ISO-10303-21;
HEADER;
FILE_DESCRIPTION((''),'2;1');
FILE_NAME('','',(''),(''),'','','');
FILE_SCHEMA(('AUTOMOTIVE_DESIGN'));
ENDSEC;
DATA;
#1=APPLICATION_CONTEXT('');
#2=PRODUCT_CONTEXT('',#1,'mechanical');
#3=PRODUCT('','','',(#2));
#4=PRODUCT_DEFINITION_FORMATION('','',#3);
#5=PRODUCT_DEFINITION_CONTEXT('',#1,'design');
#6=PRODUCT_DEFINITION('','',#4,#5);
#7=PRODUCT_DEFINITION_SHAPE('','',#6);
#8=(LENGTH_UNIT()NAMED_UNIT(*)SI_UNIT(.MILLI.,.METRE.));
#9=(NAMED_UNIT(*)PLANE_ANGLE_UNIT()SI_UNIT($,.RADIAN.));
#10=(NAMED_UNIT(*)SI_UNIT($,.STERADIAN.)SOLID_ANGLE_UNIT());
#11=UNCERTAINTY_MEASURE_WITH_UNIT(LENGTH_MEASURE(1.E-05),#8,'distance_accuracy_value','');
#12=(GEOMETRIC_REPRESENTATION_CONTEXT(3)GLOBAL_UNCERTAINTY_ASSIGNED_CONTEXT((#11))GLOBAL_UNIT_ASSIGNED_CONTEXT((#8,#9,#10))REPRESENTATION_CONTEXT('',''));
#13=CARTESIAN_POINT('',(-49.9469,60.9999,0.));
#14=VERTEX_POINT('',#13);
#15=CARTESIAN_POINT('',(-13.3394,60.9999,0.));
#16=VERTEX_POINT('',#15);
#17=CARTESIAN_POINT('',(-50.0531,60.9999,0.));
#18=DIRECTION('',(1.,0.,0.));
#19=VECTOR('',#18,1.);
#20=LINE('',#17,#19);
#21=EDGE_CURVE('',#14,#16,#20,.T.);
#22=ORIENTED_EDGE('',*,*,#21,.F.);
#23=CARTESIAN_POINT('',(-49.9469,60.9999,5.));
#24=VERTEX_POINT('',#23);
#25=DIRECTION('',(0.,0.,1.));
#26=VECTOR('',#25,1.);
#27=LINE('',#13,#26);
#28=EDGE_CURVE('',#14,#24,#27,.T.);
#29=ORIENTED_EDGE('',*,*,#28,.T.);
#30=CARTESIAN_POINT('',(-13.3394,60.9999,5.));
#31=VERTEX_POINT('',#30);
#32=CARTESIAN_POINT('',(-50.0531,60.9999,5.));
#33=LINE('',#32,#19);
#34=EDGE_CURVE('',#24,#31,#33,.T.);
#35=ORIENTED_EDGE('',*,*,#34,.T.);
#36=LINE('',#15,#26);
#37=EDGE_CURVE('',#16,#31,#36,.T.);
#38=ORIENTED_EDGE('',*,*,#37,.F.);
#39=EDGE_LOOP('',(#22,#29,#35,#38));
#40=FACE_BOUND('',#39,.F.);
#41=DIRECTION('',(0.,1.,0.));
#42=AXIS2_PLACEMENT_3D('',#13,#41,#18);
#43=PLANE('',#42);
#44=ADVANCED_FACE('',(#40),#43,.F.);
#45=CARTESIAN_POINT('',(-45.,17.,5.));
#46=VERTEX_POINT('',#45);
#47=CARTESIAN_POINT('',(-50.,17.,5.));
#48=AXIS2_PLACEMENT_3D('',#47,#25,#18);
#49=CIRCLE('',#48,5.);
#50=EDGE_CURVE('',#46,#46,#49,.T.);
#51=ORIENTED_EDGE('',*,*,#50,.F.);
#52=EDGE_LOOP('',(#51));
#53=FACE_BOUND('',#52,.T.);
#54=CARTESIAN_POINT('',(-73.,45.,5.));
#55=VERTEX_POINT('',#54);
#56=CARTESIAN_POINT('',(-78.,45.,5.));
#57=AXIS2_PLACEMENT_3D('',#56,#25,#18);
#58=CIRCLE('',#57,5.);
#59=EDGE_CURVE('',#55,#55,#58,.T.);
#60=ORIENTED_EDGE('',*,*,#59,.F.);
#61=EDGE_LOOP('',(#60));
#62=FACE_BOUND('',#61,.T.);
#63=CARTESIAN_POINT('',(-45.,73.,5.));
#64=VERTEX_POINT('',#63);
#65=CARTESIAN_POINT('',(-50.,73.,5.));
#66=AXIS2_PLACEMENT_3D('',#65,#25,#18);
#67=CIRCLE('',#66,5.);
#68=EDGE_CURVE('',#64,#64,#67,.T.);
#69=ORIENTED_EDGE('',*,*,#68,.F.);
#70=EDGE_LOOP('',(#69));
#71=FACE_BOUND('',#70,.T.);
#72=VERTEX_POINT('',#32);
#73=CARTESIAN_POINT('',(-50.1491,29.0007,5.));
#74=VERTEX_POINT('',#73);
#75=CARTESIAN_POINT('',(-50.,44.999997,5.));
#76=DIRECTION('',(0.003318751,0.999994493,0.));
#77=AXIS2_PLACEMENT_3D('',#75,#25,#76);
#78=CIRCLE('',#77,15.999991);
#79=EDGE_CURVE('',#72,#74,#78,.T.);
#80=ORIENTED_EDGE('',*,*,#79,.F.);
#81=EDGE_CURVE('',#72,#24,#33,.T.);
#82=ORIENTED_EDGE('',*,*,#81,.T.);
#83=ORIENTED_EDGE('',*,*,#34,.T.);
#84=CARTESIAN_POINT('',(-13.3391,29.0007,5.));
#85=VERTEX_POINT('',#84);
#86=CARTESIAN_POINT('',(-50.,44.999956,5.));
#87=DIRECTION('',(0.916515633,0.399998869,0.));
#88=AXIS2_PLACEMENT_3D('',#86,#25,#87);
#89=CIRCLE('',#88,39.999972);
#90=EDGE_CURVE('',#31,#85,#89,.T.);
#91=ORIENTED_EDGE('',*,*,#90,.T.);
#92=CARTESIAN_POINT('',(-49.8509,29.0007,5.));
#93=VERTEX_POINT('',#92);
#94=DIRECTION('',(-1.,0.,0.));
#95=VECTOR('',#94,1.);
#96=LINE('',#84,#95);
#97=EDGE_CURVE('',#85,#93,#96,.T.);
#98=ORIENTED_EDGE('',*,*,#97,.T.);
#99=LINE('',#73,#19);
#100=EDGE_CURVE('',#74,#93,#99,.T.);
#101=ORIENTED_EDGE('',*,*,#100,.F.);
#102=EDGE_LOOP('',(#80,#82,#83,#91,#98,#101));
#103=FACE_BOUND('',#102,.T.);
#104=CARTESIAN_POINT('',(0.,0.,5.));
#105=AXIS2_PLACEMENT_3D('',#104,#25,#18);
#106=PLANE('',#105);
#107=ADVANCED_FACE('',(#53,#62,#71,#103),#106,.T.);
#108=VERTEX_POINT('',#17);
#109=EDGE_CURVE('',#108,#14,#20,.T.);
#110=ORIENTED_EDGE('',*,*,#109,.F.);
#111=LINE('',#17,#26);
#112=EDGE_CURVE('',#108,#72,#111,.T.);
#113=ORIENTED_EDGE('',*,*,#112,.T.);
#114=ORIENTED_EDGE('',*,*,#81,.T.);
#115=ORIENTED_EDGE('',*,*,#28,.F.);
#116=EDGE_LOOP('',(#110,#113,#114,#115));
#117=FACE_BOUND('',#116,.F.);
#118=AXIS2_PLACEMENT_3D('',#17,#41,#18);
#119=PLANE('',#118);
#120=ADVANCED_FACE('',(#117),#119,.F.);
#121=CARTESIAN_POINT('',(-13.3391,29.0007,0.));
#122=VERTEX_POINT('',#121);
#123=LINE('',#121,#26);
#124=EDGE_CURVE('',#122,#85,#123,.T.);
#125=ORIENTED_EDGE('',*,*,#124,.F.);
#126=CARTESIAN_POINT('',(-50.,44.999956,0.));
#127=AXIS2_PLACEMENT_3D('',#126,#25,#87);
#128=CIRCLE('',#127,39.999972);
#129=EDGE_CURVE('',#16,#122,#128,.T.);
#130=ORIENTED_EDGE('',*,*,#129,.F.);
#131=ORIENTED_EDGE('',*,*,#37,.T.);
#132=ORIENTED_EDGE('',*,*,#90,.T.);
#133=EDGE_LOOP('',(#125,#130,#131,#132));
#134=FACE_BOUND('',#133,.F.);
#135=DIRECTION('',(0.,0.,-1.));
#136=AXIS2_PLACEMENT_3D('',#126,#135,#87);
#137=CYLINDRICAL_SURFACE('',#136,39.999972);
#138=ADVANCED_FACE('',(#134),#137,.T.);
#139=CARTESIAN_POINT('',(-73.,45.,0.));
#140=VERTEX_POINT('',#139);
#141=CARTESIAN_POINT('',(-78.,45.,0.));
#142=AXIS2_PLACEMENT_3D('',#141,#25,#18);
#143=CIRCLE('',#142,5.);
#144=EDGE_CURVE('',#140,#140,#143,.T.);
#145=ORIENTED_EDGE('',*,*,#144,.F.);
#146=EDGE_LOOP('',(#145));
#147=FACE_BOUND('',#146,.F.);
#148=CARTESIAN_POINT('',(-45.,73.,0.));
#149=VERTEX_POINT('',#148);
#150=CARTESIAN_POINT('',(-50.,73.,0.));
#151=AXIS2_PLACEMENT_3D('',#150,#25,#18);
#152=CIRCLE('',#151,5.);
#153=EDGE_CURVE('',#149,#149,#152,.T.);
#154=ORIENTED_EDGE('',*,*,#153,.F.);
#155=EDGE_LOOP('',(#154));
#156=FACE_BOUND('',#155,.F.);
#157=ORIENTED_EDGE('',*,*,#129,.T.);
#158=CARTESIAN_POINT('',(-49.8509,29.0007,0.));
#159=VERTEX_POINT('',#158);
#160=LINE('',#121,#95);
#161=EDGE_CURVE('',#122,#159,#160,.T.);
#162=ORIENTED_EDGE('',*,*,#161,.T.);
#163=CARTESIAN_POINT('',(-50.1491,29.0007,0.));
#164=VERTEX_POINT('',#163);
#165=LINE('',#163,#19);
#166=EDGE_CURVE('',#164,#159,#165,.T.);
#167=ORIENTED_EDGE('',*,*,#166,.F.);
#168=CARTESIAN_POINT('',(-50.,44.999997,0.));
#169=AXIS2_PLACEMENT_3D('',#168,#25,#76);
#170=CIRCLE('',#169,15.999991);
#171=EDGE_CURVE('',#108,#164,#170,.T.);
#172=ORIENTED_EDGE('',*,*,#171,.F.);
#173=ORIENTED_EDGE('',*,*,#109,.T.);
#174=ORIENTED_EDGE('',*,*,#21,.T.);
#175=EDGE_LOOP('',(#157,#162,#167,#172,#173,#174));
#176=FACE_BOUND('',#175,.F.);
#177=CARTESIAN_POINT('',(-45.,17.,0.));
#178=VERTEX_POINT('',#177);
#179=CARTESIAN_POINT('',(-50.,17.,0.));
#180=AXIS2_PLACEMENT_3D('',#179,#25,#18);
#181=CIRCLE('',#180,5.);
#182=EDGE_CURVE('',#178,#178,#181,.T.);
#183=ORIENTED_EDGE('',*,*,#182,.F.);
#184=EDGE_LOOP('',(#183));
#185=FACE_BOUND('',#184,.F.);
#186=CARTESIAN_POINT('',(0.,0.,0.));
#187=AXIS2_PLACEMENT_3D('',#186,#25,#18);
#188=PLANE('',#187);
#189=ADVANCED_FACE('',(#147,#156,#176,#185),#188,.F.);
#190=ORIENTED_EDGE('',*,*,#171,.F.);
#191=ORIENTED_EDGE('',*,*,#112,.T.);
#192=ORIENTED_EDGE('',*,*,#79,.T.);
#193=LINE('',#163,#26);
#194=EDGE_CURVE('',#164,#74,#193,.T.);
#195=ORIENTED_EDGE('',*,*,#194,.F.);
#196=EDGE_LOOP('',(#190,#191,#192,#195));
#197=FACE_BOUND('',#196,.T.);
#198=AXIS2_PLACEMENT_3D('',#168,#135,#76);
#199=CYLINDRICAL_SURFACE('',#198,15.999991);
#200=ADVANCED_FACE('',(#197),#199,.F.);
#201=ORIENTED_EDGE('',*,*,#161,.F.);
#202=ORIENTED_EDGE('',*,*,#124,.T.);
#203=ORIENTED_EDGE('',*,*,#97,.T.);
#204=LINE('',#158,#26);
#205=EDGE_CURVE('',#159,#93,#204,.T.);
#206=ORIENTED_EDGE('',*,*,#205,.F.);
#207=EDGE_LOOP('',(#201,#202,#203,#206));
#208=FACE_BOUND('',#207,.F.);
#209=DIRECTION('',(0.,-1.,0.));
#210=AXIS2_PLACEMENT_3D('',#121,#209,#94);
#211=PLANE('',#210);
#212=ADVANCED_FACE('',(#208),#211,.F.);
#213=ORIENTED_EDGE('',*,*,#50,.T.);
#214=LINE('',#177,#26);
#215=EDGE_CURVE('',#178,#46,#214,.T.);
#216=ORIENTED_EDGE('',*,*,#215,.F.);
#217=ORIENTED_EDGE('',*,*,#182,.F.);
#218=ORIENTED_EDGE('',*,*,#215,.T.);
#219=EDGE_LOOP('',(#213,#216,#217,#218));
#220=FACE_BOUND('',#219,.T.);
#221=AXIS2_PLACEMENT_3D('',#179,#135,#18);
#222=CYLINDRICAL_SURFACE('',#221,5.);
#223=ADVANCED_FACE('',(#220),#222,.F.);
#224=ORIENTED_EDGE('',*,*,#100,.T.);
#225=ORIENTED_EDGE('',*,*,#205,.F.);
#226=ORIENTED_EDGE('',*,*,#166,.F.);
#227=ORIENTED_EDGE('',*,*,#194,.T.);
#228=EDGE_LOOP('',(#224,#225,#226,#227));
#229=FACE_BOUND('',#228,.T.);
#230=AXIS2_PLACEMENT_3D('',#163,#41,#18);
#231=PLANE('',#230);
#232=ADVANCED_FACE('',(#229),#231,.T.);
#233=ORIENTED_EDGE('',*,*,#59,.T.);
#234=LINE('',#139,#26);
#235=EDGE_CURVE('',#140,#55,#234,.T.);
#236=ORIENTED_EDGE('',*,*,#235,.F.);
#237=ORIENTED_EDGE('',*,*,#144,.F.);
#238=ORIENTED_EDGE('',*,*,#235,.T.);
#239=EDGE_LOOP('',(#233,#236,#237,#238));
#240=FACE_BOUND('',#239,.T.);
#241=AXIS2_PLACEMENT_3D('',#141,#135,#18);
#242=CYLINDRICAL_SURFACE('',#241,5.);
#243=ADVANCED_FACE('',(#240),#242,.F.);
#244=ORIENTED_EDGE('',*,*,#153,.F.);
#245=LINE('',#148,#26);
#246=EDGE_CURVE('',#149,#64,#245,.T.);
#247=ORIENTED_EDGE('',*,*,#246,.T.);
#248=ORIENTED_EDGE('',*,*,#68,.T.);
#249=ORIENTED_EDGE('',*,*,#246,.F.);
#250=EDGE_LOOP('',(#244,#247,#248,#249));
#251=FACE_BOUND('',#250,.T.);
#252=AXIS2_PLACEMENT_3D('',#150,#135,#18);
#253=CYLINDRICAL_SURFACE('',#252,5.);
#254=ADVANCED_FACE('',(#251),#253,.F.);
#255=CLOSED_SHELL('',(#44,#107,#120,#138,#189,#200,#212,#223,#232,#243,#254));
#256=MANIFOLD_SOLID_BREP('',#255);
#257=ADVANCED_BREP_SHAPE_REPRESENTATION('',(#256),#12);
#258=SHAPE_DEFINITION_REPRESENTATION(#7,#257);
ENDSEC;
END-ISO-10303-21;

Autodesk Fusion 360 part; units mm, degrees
sketch "Sketch1" plane through (0, 0, 0) normal (0, 0, 1) x (1, 0, 0)
  circle A0 centre (-50, 73) radius 5
  circle A1 centre (-50, 17) radius 5
  circle A2 centre (-78, 45) radius 5
  line L0 (-50.0531, 60.9999) -> (-49.9469, 60.9999)
  line L1 (-50.1491, 29.0007) -> (-49.8509, 29.0007)
  arc A3 (-49.9469, 60.9999) -> (-49.8509, 29.0007) centre (-50, 45) ccw
  line L2 (-50.0531, 60.9999) -> (-13.3394, 60.9999)
  line L3 (-13.3391, 29.0007) -> (-50.1491, 29.0007)
  arc A4 (-13.3394, 60.9999) -> (-13.3391, 29.0007) centre (-50, 45) ccw
  dimension "d1" = 80
  dimension "d3" = 10
  dimension "d5" = 10
  dimension "d7" = 10
extrude "Extrude1" add sketch "Sketch1" along normal blind 5
